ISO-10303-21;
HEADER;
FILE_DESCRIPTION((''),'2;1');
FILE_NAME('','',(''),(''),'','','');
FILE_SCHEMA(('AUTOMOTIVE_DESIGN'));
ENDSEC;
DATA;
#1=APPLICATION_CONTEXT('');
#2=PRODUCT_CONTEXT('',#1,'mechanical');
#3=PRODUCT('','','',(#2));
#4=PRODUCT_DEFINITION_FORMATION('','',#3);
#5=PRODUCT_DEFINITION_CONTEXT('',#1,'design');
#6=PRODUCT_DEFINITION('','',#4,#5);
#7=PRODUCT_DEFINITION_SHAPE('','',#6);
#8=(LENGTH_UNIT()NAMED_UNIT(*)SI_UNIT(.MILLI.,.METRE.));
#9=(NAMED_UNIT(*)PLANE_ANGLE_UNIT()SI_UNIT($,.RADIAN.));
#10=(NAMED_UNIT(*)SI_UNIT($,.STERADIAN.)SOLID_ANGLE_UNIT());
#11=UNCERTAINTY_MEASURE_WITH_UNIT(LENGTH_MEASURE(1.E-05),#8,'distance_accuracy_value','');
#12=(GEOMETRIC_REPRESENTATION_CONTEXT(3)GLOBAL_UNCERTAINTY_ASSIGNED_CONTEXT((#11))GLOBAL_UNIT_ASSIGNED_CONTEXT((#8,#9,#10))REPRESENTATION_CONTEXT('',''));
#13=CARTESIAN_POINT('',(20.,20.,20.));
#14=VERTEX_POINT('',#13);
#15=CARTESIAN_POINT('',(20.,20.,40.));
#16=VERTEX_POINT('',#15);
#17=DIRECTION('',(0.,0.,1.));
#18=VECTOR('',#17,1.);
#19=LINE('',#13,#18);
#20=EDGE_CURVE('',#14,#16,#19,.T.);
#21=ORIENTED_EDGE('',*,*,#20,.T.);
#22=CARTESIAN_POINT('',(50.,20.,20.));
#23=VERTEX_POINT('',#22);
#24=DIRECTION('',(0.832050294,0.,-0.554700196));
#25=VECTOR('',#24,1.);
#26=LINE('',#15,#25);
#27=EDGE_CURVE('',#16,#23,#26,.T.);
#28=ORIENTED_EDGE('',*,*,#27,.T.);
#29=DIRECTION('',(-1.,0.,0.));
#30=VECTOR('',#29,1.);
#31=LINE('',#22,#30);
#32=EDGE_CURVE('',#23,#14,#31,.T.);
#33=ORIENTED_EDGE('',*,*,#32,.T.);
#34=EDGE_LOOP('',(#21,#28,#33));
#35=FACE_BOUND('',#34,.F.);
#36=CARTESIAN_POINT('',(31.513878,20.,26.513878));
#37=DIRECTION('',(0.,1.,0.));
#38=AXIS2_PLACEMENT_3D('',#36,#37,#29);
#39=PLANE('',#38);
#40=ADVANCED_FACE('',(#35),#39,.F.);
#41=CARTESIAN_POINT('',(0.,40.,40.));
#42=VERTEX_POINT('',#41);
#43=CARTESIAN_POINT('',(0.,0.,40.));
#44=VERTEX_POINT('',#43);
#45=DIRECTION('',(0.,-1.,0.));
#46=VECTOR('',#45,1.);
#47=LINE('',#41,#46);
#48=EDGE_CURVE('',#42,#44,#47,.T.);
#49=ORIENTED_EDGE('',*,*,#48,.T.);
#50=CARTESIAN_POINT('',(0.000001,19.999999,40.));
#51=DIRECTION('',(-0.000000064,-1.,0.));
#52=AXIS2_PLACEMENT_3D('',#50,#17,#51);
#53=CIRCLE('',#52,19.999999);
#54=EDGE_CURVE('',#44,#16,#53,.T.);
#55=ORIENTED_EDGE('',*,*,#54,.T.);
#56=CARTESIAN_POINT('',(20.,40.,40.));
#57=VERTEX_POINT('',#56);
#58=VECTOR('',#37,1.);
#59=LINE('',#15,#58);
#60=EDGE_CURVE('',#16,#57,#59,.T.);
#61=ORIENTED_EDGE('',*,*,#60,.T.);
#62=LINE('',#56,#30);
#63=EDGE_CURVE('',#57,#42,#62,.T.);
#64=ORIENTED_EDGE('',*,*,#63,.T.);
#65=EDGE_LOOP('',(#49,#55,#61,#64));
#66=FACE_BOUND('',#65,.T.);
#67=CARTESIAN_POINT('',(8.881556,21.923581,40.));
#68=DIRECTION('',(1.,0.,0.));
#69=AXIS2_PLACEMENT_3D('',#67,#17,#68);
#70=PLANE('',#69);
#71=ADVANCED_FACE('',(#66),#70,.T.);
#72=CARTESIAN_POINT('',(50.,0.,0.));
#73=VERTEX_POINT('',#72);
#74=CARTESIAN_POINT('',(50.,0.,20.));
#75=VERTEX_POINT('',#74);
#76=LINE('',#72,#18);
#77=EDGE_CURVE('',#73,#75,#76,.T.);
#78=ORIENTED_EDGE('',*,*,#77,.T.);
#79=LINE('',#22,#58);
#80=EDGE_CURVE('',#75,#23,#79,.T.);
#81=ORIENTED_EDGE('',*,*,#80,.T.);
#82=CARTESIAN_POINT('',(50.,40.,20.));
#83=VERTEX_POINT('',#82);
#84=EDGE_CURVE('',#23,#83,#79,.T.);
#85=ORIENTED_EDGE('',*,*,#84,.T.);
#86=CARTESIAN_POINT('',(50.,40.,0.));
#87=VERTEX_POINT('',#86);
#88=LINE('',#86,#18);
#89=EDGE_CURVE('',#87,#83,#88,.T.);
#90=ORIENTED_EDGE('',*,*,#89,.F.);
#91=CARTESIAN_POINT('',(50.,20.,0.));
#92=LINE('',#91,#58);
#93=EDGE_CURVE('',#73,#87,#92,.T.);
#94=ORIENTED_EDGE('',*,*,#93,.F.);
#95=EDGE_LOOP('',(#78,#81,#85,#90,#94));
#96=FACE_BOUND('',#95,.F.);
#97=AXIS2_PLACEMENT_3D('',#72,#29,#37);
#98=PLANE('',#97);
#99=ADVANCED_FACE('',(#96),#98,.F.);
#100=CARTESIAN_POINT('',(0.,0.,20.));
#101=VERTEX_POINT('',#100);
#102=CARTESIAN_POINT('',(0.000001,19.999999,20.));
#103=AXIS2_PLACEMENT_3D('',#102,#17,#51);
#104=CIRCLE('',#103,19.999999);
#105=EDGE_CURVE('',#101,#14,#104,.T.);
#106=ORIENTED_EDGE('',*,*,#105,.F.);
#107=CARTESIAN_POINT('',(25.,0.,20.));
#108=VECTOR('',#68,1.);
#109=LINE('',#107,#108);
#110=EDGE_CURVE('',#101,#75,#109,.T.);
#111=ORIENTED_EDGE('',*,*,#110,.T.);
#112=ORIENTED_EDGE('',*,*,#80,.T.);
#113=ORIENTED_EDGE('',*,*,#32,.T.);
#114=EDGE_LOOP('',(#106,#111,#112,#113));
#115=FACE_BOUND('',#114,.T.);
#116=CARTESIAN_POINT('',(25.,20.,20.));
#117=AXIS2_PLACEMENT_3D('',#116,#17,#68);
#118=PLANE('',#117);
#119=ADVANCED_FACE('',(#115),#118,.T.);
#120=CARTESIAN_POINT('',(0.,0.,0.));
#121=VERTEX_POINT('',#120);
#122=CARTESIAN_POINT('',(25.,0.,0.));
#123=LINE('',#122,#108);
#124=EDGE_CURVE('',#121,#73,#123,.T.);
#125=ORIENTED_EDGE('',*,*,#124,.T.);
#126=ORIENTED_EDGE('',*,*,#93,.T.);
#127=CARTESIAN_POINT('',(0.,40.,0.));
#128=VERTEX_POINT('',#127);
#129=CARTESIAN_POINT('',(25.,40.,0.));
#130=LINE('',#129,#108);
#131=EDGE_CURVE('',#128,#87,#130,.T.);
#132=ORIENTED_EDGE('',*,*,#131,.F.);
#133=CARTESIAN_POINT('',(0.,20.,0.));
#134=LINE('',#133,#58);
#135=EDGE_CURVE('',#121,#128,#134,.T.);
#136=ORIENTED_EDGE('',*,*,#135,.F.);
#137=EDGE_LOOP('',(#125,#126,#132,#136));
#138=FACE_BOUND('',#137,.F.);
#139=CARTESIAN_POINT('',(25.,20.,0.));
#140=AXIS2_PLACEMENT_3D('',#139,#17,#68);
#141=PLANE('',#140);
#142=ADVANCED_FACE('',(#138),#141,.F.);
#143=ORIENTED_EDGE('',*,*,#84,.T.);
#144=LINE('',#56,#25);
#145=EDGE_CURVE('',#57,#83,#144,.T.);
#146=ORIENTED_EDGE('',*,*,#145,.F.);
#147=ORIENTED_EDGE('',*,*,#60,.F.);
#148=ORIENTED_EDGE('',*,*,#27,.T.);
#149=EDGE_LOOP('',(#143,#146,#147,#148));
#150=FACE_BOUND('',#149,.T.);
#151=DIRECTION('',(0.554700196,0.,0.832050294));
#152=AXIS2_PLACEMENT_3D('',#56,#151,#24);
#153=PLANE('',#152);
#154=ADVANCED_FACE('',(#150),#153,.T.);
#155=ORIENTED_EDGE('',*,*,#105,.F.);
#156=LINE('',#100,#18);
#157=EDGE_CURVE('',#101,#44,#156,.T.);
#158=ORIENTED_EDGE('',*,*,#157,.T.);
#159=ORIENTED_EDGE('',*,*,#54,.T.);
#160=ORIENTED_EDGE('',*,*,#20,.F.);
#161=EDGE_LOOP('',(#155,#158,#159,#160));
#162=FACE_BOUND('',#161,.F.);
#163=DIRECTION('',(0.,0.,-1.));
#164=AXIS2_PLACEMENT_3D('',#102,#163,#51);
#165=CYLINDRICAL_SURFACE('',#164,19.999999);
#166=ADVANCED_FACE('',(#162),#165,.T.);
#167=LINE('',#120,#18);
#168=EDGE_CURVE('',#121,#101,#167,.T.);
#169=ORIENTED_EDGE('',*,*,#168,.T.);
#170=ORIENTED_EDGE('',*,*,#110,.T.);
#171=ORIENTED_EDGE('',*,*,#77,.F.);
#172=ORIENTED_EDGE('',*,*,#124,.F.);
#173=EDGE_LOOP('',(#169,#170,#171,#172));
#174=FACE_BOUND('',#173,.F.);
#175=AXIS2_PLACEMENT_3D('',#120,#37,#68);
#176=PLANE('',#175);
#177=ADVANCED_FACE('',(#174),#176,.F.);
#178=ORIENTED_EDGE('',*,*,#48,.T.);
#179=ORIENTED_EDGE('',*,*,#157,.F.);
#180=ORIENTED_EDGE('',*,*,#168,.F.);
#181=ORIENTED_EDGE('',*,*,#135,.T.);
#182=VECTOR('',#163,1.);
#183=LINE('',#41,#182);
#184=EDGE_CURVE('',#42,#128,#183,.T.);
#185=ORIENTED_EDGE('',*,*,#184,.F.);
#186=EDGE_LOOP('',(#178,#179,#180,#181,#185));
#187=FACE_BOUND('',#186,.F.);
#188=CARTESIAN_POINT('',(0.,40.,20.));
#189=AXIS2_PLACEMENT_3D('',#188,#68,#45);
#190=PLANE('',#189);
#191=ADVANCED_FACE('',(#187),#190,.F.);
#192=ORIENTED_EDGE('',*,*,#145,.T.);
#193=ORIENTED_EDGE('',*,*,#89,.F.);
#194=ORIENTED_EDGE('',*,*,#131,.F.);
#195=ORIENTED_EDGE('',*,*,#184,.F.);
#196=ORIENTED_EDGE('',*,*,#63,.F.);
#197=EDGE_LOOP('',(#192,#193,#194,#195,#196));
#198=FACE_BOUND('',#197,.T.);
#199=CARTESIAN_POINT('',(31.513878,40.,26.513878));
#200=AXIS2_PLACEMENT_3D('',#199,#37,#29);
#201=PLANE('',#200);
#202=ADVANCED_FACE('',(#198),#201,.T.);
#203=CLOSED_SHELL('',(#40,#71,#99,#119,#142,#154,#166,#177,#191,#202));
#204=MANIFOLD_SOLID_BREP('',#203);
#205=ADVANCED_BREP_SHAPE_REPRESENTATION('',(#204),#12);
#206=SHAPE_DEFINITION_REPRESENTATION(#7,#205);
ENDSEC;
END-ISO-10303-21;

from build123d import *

# Parameters (mm, degrees)
F0_W     = 50
F0_H     = 40
F1_DEPTH = 20
F3_DEPTH = 20
F5_DEPTH = 20


with BuildPart() as f1:
    # F0 (on Top) → F1 (new body)
    with BuildSketch(Plane.XY):
        with Locations((25, 20)):
            Rectangle(F0_W, F0_H)
    extrude(amount=F1_DEPTH)

    # F2 (on face) → F3 (join)
    with BuildSketch(Plane.XY.offset(20)):
        with BuildLine():
            Line((0, 40), (0, 0))
            ThreePointArc((0, 0), (14.142136, 5.857864), (20, 20))
            Line((20, 20), (20, 40))
            Line((20, 40), (0, 40))
        make_face()
    extrude(amount=F3_DEPTH)

    # F4 (on face) → F5 (join)
    with BuildSketch(Plane(origin=(0, 40, 0), x_dir=(-1, 0, 0), z_dir=(0, 1, 0))):
        Polygon((-20, 20), (-20, 40), (-50, 20), align=None)
    extrude(amount=-F5_DEPTH)


solid = f1.part
